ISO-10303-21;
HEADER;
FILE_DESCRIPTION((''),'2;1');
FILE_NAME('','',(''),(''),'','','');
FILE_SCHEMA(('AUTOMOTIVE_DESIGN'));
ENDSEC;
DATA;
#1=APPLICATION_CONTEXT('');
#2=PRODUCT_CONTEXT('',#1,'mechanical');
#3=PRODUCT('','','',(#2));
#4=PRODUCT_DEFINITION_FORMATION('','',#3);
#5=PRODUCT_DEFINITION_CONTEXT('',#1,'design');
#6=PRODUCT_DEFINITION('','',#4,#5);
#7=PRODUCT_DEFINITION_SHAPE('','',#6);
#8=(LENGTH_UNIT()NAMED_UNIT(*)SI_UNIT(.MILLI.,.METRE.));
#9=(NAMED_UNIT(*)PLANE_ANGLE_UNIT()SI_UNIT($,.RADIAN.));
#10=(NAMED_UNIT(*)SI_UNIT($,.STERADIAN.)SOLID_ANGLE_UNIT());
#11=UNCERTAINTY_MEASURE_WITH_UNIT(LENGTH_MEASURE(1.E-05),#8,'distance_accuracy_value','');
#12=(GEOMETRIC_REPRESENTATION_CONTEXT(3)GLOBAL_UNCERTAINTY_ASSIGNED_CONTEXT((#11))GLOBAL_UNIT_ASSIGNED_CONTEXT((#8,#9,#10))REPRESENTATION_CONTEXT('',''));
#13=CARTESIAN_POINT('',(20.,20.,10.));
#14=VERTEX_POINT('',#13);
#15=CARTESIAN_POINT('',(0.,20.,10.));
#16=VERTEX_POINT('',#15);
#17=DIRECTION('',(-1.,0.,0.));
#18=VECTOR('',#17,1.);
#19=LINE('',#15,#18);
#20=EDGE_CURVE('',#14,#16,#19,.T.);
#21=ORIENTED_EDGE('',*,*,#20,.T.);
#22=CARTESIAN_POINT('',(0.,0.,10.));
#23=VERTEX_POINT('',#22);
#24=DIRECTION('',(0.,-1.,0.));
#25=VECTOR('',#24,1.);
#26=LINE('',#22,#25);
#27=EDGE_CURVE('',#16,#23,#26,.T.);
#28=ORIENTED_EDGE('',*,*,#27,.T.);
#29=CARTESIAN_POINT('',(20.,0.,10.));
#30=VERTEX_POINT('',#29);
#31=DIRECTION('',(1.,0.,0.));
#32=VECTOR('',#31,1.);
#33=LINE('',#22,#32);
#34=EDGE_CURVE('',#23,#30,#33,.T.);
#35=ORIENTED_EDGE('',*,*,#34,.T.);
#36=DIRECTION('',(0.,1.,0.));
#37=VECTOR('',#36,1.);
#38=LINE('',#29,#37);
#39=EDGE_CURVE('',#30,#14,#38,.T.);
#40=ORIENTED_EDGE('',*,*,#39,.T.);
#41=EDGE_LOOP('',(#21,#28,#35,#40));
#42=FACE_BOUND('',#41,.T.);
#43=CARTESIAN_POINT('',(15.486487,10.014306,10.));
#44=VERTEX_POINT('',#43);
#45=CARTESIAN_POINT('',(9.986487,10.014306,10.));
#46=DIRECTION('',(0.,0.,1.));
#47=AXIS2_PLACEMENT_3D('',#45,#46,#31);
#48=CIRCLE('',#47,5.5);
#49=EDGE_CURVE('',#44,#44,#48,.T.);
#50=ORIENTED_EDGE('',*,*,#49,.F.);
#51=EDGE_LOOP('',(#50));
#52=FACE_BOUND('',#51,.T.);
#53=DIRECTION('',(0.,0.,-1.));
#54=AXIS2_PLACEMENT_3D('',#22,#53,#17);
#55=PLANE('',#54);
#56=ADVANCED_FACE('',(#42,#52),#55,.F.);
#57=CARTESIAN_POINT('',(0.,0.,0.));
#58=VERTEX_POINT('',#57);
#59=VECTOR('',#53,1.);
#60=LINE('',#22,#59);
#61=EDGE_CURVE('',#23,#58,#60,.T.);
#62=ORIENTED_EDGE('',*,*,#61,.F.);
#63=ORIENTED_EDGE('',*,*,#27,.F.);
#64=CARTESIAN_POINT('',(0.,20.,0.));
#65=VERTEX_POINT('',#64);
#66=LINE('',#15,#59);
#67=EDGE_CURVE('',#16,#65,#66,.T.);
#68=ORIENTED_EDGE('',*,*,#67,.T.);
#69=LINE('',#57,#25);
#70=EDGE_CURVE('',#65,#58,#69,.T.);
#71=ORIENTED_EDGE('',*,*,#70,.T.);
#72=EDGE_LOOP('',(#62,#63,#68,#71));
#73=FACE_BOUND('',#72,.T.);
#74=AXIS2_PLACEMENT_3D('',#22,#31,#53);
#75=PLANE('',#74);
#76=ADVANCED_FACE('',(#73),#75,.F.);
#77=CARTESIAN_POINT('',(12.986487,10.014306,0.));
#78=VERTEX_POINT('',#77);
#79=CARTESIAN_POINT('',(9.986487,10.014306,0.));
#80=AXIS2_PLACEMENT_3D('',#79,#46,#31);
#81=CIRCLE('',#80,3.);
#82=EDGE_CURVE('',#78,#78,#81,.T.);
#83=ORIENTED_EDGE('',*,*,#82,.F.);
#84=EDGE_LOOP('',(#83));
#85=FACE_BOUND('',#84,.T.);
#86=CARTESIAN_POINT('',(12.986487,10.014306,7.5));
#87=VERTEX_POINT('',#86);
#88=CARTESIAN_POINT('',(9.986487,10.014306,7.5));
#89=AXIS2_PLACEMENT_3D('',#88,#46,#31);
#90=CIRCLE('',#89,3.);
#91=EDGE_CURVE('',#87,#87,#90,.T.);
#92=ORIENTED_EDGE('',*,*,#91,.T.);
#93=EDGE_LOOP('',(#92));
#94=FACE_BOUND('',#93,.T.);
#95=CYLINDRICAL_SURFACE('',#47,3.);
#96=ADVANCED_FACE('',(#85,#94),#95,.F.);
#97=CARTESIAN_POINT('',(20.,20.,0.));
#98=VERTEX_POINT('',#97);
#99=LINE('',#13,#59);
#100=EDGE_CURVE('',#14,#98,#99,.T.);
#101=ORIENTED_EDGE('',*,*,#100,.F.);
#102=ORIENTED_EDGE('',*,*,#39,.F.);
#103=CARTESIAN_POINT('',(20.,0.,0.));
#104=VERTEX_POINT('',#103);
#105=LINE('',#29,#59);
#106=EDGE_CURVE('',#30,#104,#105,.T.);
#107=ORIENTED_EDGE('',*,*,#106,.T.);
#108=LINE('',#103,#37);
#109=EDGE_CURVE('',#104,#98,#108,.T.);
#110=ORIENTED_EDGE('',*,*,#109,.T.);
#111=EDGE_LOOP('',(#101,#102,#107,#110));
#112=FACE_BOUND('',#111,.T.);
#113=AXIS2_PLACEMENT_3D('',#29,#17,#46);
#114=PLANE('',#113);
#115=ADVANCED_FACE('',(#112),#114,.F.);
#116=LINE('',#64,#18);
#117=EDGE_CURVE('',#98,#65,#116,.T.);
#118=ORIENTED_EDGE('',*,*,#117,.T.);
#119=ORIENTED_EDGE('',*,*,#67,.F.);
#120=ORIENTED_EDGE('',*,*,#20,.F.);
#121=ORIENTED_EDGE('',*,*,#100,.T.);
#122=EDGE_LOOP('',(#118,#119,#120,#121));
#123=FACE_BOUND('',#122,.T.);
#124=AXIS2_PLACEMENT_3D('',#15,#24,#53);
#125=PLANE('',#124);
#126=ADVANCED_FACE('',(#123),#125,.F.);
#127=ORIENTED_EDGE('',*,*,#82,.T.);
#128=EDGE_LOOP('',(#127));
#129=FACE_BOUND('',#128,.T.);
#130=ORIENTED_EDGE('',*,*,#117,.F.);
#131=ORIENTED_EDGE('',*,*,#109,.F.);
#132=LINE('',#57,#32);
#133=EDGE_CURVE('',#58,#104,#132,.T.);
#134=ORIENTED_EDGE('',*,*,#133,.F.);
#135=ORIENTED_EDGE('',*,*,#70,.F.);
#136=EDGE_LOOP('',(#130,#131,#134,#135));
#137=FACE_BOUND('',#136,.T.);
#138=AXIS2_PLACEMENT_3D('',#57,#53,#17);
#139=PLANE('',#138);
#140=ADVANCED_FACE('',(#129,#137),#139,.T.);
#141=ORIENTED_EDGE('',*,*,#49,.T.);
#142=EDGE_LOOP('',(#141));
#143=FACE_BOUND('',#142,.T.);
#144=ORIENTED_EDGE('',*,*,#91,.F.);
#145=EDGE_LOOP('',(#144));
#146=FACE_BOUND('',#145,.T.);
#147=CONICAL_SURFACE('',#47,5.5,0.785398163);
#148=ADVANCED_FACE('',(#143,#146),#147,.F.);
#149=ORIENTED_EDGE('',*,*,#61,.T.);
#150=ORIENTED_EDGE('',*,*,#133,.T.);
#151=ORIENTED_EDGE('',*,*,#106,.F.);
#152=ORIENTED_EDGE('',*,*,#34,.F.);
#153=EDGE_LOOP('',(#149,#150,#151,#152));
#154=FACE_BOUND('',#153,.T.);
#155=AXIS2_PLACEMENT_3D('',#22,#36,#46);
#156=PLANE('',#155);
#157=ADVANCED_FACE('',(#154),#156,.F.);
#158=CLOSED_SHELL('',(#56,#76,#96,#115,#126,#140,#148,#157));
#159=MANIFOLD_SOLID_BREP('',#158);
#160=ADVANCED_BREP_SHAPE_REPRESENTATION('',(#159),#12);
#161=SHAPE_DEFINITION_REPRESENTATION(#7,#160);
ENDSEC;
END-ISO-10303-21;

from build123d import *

# Parameters (mm, degrees)
SKETCH_1_W                          = 20
SKETCH_1_H                          = 20
BASEBOX_DEPTH                       = 10
HOLE_CS_ISO_FLATHEAD_M6_D           = 6
HOLE_CS_ISO_FLATHEAD_M6_CSINK_D     = 11
HOLE_CS_ISO_FLATHEAD_M6_CSINK_ANGLE = 90


with BuildPart() as part:
    # 草图1 → BaseBox (new body)
    with BuildSketch(Plane.XY):
        with Locations((10, 10)):
            Rectangle(SKETCH_1_W, SKETCH_1_H)
    extrude(amount=BASEBOX_DEPTH)

    # Hole_cs_iso_flathead_m6 (through all)
    with Locations(Plane.XY.offset(10)):
        with Locations((9.986487375, 10.014305599)):
            CounterSinkHole(HOLE_CS_ISO_FLATHEAD_M6_D / 2, HOLE_CS_ISO_FLATHEAD_M6_CSINK_D / 2, counter_sink_angle=HOLE_CS_ISO_FLATHEAD_M6_CSINK_ANGLE)


solid = part.part
